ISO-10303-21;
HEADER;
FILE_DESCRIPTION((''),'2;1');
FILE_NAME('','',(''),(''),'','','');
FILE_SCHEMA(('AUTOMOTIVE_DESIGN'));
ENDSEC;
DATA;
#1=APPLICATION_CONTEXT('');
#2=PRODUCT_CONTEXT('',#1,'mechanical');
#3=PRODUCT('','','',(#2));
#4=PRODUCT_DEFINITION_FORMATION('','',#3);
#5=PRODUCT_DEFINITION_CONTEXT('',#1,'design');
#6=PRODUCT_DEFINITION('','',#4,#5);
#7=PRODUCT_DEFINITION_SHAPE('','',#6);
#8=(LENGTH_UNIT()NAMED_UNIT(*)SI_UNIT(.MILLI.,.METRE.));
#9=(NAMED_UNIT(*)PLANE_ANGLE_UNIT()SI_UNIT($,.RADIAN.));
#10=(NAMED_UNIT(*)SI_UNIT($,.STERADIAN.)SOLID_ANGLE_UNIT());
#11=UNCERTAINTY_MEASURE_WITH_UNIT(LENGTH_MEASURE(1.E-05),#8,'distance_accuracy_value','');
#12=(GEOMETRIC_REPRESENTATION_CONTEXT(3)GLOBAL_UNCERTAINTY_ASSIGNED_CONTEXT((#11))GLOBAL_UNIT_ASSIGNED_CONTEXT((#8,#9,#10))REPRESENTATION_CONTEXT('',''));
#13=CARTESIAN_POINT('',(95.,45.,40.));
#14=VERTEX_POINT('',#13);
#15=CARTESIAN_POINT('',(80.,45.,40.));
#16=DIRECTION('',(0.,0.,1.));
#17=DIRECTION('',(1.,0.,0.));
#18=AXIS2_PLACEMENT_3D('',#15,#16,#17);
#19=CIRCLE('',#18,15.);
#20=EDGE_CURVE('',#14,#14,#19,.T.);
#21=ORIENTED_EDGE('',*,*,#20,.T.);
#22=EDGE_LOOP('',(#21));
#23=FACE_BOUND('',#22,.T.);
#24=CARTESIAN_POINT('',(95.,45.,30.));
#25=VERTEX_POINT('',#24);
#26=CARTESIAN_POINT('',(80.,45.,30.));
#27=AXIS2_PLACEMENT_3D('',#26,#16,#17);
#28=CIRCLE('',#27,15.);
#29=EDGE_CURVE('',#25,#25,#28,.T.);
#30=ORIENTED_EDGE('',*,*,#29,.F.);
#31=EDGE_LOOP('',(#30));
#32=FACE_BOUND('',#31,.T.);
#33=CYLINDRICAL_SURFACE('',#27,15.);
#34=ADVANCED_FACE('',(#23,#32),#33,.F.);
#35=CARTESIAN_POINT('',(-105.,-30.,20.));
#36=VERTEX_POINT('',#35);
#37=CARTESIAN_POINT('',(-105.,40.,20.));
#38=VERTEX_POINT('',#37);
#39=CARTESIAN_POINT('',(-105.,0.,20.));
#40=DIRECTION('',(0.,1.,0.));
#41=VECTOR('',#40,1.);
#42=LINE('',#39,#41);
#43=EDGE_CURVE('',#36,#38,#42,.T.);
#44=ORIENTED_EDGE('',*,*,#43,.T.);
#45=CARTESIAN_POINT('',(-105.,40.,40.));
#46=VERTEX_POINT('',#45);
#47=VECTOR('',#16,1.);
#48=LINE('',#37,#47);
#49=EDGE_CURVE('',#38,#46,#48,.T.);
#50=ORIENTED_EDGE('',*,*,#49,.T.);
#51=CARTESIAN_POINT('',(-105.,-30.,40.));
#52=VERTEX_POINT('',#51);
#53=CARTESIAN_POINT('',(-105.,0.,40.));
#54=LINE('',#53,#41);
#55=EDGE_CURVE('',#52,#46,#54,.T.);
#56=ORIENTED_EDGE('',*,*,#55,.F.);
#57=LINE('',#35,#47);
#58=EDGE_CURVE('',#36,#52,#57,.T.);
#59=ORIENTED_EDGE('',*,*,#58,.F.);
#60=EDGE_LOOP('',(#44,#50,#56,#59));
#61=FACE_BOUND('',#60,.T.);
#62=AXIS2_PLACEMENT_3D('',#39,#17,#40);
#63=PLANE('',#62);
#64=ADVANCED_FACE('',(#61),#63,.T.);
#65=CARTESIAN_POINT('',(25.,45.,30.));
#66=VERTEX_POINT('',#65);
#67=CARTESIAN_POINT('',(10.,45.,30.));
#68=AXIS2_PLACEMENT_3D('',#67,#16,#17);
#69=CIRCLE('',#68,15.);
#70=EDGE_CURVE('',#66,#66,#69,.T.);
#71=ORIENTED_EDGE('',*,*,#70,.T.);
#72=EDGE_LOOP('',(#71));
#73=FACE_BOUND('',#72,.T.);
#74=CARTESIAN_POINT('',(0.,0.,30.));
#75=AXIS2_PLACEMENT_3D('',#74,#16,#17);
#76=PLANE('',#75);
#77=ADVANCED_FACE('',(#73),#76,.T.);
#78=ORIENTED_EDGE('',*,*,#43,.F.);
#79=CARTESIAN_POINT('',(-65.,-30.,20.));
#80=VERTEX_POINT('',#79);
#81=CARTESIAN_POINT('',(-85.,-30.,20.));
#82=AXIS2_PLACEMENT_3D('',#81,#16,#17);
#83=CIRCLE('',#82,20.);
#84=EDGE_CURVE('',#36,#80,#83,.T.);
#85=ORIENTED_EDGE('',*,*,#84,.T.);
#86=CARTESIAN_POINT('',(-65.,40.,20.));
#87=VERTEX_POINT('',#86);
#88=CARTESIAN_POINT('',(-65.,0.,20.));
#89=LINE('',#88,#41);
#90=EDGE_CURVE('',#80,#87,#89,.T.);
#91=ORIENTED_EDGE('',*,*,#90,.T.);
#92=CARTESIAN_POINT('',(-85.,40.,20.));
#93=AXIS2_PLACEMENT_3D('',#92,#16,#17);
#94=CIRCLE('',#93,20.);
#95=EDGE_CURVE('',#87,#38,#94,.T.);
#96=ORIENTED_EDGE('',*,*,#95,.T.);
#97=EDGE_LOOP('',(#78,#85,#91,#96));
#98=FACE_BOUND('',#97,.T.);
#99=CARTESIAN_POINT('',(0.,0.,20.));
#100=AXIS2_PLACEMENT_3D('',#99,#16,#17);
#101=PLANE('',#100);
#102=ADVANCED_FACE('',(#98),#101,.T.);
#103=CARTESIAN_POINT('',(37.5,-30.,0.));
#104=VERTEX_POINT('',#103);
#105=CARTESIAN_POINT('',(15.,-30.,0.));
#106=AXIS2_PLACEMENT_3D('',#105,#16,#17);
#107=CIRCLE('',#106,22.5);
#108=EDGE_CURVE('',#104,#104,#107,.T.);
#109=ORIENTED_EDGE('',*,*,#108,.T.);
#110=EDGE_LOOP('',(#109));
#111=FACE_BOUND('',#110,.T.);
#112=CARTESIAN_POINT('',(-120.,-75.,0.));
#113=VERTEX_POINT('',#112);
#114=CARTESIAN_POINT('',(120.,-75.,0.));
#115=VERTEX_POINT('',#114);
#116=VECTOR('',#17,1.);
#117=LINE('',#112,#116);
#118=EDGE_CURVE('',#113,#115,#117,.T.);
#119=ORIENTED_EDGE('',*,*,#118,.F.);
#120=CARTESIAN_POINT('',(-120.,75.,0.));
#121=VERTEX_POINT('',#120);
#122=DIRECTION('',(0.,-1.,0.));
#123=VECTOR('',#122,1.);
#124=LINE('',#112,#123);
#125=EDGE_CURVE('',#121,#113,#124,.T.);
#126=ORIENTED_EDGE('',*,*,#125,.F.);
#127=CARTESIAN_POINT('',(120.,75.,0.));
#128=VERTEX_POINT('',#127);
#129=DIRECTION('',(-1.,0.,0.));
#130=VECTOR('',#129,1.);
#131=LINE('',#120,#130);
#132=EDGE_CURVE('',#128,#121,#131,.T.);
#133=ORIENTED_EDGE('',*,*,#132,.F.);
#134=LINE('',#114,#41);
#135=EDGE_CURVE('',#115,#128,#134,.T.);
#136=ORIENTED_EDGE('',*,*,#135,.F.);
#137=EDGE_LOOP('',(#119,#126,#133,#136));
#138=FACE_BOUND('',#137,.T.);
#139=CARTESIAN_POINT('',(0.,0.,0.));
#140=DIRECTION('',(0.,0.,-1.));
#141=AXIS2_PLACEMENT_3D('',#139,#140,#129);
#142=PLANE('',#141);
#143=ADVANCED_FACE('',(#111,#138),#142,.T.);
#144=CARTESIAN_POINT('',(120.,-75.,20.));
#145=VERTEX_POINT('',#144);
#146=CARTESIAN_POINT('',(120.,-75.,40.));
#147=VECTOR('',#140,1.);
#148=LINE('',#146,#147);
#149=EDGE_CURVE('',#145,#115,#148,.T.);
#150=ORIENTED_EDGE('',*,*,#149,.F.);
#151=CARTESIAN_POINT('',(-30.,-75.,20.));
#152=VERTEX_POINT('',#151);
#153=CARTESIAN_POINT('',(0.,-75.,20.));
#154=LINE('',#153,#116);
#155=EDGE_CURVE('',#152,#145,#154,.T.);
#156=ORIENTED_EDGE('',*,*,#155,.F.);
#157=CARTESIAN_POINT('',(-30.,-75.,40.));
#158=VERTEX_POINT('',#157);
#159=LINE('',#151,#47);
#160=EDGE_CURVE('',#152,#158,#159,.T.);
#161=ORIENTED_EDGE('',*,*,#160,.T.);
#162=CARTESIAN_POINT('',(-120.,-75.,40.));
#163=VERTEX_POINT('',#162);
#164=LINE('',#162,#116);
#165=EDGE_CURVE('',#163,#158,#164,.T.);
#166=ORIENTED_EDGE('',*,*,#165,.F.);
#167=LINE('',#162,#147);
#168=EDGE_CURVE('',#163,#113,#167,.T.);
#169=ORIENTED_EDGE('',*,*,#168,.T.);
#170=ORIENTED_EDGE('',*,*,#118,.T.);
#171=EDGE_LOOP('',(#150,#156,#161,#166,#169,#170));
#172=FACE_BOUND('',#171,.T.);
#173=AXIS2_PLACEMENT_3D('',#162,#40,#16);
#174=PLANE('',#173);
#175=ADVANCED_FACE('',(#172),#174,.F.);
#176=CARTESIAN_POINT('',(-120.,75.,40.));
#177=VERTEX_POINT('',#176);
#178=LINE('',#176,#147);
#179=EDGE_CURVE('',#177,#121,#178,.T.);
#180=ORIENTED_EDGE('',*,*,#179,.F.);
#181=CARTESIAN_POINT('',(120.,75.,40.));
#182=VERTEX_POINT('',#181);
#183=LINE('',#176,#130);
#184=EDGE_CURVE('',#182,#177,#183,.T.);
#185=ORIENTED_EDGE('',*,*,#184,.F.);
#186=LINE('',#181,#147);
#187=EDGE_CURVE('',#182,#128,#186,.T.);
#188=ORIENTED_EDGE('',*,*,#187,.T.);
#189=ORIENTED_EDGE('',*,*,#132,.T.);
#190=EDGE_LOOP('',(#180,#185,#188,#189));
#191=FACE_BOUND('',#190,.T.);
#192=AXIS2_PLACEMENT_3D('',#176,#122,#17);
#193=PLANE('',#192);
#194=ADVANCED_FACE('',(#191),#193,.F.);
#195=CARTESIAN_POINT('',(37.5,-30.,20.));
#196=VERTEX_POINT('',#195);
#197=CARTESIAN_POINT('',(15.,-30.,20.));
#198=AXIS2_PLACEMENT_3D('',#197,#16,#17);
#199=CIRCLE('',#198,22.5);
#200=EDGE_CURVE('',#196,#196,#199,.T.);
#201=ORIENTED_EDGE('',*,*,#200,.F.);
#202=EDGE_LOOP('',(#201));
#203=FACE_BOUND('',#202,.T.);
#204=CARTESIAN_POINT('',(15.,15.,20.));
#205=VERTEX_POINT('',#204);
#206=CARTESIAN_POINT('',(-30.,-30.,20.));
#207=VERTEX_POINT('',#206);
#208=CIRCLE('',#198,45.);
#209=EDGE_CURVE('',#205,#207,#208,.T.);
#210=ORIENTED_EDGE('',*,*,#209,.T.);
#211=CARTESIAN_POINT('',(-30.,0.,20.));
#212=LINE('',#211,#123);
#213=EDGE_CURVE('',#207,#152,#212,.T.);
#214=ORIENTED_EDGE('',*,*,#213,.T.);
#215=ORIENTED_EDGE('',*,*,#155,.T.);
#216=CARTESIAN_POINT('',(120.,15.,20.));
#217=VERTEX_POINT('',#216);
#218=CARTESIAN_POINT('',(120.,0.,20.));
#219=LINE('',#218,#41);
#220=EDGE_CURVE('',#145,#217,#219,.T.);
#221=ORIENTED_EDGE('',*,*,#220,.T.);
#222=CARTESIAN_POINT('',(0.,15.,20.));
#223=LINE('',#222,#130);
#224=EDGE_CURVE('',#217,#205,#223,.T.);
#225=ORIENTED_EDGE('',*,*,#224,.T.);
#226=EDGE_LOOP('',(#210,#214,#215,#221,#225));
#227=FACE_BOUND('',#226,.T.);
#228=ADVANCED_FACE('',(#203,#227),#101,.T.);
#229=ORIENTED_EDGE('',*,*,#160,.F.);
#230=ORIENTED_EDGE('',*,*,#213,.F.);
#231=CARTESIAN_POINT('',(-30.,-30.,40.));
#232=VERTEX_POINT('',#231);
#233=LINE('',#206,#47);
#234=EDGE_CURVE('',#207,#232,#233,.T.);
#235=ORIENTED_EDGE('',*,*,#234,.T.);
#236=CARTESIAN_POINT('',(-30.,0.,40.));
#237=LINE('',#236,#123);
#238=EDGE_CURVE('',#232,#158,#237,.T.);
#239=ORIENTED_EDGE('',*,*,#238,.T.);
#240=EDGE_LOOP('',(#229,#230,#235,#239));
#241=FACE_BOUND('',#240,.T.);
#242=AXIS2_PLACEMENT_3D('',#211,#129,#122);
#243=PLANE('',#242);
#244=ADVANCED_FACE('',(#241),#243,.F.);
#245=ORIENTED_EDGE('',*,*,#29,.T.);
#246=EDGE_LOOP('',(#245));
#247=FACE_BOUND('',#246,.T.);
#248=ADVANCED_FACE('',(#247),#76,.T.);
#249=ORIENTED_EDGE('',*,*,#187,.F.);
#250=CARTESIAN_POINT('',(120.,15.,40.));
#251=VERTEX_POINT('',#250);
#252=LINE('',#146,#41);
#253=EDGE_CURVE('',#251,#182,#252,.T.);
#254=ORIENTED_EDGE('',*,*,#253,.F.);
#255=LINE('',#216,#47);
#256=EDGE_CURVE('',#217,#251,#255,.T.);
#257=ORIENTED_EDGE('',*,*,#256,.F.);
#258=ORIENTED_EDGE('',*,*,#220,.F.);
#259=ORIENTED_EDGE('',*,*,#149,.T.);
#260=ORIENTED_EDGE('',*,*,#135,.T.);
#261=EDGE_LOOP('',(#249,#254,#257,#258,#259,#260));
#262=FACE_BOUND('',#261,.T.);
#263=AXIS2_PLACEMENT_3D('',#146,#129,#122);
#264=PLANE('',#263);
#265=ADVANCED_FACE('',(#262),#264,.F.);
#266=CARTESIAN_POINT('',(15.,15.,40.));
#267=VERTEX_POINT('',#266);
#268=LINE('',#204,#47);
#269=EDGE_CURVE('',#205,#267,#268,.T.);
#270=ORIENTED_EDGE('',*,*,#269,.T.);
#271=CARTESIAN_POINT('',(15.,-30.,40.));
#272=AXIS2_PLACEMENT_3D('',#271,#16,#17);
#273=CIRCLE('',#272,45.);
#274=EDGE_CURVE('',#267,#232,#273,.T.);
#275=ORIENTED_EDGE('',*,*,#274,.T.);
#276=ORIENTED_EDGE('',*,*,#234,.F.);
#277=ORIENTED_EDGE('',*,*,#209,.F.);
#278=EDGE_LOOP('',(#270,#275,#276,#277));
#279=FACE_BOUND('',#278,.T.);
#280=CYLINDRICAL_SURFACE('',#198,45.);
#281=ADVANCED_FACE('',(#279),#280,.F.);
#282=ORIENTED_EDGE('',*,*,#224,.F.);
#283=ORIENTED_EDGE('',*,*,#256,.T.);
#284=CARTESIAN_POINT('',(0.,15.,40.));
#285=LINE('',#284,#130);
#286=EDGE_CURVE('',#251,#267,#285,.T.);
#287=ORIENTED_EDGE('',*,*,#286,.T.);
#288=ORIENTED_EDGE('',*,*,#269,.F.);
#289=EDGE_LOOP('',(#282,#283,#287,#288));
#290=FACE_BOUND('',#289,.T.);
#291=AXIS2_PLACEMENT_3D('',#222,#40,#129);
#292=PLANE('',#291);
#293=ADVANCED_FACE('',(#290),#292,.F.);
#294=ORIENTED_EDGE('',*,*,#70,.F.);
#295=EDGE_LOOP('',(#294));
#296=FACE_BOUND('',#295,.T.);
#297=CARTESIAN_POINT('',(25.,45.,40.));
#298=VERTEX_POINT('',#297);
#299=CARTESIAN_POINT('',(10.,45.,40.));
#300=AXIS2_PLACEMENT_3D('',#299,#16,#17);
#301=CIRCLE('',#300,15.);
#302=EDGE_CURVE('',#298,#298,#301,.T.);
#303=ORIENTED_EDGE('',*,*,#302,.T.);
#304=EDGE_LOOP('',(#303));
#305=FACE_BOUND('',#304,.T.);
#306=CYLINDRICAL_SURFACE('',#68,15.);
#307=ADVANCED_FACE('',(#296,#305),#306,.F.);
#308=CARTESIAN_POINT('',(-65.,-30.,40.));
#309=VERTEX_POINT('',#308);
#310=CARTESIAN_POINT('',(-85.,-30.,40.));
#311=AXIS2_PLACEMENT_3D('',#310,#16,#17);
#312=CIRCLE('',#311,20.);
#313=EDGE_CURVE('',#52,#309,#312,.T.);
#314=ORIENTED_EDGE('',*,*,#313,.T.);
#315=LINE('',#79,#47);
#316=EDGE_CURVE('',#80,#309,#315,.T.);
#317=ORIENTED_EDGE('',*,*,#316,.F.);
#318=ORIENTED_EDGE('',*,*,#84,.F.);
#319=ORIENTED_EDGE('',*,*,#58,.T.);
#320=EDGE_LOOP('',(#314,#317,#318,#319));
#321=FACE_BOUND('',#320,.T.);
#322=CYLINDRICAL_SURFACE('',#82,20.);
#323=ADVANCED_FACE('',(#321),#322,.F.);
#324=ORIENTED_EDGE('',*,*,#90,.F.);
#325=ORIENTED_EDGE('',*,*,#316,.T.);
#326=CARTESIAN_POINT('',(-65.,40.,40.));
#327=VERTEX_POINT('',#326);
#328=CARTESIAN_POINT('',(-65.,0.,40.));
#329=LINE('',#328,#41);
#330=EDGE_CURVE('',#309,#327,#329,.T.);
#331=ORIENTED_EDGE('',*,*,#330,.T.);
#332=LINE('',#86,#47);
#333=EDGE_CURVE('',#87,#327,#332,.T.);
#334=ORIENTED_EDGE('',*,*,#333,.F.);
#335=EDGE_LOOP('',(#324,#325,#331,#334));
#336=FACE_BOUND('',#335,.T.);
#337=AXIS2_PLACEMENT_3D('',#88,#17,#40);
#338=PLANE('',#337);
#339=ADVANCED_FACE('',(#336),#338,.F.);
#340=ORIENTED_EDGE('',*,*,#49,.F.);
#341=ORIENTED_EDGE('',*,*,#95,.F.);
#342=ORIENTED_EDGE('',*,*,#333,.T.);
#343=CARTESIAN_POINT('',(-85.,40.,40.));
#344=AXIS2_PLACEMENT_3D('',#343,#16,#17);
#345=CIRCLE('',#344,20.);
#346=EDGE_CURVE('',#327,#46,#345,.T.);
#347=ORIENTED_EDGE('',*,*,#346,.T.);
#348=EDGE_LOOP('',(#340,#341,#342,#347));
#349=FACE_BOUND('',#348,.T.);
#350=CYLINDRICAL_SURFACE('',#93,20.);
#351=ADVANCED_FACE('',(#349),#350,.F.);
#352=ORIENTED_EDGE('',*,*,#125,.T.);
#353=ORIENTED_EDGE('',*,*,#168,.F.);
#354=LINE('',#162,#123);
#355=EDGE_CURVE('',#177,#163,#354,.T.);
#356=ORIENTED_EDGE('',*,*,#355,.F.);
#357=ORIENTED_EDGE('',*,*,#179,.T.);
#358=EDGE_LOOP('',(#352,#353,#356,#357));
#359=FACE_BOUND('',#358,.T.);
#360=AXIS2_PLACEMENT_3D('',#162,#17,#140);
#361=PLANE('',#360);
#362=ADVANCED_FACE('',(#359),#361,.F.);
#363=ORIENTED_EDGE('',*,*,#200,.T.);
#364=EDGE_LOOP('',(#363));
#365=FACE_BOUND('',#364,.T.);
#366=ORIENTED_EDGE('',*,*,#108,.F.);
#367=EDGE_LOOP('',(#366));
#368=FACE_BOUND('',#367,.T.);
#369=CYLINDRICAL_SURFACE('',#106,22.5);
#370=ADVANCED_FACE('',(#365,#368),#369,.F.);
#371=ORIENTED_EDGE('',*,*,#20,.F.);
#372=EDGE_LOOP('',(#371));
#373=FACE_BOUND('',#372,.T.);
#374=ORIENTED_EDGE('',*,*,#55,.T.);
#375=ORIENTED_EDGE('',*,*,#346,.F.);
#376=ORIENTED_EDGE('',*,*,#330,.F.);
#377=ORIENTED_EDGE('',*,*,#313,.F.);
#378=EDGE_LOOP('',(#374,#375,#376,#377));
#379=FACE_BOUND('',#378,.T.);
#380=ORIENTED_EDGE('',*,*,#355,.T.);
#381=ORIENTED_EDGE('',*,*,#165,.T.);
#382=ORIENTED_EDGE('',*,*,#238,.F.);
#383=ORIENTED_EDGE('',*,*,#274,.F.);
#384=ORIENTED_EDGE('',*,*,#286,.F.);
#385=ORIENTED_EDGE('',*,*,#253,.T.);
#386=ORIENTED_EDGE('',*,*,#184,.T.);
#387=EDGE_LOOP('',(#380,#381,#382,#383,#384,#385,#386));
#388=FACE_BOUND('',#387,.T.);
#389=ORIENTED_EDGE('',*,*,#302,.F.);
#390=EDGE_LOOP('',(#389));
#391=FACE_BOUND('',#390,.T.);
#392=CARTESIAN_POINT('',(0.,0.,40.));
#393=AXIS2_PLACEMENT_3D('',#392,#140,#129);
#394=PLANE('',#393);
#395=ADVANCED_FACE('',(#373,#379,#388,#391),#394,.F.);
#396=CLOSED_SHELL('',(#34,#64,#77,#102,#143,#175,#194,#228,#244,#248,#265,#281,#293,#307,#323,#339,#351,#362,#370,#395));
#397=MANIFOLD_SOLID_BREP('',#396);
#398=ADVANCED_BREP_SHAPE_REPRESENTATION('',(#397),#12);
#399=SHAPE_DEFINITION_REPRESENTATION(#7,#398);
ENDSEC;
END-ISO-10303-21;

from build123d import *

# Parameters (mm, degrees)
ESQUISSE1_W             = 240
ESQUISSE1_H             = 150
BOSS_EXTRU_1_DEPTH      = 40
ENL_V_MAT_EXTRU_1_DEPTH = 20
ESQUISSE2_3_R           = 15
ENL_V_MAT_EXTRU_2_DEPTH = 10
ESQUISSE2_4_R           = 22.5
ENL_V_MAT_EXTRU_3_DEPTH = 148.054411699
ESQUISSE2_5_R           = 22.5
ENL_V_MAT_EXTRU_4_DEPTH = 20


with BuildPart() as part:
    # Esquisse1 → Boss.-Extru.1 (new body)
    with BuildSketch(Plane.XY):
        Rectangle(ESQUISSE1_W, ESQUISSE1_H)
    extrude(amount=BOSS_EXTRU_1_DEPTH)

    # Esquisse2 → Enlèv. mat.-Extru.1 (cut)
    with BuildSketch(Plane.XY.offset(40)):
        with BuildLine():
            Line((-105, 40), (-105, -30))
            ThreePointArc((-105, -30), (-85, -50), (-65, -30))
            Line((-65, -30), (-65, 40))
            ThreePointArc((-65, 40), (-85, 60), (-105, 40))
        make_face()
    extrude(amount=-ENL_V_MAT_EXTRU_1_DEPTH, mode=Mode.SUBTRACT)

    # Esquisse2<3> → Enlèv. mat.-Extru.2 (cut)
    with BuildSketch(Plane.XY.offset(40)):
        with Locations((10, 45)):
            Circle(ESQUISSE2_3_R)
        with Locations((80, 45)):
            Circle(ESQUISSE2_3_R)
    extrude(amount=-ENL_V_MAT_EXTRU_2_DEPTH, mode=Mode.SUBTRACT)

    # Esquisse2<4> → Enlèv. mat.-Extru.3 (cut, through all)
    with BuildSketch(Plane.XY.offset(40)):
        with Locations((15, -30)):
            Circle(ESQUISSE2_4_R)
    extrude(amount=-ENL_V_MAT_EXTRU_3_DEPTH, mode=Mode.SUBTRACT)

    # Esquisse2<5> → Enlèv. mat.-Extru.4 (cut)
    with BuildSketch(Plane.XY.offset(40)):
        with BuildLine():
            Line((120, -75), (120, 15))
            Line((120, 15), (15, 15))
            ThreePointArc((15, 15), (-16.819805153, 1.819805153), (-30, -30))
            Line((-30, -30), (-30, -75))
            Line((-30, -75), (120, -75))
        make_face()
        with Locations((15, -30)):
            Circle(ESQUISSE2_5_R, mode=Mode.SUBTRACT)
    extrude(amount=-ENL_V_MAT_EXTRU_4_DEPTH, mode=Mode.SUBTRACT)


solid = part.part
